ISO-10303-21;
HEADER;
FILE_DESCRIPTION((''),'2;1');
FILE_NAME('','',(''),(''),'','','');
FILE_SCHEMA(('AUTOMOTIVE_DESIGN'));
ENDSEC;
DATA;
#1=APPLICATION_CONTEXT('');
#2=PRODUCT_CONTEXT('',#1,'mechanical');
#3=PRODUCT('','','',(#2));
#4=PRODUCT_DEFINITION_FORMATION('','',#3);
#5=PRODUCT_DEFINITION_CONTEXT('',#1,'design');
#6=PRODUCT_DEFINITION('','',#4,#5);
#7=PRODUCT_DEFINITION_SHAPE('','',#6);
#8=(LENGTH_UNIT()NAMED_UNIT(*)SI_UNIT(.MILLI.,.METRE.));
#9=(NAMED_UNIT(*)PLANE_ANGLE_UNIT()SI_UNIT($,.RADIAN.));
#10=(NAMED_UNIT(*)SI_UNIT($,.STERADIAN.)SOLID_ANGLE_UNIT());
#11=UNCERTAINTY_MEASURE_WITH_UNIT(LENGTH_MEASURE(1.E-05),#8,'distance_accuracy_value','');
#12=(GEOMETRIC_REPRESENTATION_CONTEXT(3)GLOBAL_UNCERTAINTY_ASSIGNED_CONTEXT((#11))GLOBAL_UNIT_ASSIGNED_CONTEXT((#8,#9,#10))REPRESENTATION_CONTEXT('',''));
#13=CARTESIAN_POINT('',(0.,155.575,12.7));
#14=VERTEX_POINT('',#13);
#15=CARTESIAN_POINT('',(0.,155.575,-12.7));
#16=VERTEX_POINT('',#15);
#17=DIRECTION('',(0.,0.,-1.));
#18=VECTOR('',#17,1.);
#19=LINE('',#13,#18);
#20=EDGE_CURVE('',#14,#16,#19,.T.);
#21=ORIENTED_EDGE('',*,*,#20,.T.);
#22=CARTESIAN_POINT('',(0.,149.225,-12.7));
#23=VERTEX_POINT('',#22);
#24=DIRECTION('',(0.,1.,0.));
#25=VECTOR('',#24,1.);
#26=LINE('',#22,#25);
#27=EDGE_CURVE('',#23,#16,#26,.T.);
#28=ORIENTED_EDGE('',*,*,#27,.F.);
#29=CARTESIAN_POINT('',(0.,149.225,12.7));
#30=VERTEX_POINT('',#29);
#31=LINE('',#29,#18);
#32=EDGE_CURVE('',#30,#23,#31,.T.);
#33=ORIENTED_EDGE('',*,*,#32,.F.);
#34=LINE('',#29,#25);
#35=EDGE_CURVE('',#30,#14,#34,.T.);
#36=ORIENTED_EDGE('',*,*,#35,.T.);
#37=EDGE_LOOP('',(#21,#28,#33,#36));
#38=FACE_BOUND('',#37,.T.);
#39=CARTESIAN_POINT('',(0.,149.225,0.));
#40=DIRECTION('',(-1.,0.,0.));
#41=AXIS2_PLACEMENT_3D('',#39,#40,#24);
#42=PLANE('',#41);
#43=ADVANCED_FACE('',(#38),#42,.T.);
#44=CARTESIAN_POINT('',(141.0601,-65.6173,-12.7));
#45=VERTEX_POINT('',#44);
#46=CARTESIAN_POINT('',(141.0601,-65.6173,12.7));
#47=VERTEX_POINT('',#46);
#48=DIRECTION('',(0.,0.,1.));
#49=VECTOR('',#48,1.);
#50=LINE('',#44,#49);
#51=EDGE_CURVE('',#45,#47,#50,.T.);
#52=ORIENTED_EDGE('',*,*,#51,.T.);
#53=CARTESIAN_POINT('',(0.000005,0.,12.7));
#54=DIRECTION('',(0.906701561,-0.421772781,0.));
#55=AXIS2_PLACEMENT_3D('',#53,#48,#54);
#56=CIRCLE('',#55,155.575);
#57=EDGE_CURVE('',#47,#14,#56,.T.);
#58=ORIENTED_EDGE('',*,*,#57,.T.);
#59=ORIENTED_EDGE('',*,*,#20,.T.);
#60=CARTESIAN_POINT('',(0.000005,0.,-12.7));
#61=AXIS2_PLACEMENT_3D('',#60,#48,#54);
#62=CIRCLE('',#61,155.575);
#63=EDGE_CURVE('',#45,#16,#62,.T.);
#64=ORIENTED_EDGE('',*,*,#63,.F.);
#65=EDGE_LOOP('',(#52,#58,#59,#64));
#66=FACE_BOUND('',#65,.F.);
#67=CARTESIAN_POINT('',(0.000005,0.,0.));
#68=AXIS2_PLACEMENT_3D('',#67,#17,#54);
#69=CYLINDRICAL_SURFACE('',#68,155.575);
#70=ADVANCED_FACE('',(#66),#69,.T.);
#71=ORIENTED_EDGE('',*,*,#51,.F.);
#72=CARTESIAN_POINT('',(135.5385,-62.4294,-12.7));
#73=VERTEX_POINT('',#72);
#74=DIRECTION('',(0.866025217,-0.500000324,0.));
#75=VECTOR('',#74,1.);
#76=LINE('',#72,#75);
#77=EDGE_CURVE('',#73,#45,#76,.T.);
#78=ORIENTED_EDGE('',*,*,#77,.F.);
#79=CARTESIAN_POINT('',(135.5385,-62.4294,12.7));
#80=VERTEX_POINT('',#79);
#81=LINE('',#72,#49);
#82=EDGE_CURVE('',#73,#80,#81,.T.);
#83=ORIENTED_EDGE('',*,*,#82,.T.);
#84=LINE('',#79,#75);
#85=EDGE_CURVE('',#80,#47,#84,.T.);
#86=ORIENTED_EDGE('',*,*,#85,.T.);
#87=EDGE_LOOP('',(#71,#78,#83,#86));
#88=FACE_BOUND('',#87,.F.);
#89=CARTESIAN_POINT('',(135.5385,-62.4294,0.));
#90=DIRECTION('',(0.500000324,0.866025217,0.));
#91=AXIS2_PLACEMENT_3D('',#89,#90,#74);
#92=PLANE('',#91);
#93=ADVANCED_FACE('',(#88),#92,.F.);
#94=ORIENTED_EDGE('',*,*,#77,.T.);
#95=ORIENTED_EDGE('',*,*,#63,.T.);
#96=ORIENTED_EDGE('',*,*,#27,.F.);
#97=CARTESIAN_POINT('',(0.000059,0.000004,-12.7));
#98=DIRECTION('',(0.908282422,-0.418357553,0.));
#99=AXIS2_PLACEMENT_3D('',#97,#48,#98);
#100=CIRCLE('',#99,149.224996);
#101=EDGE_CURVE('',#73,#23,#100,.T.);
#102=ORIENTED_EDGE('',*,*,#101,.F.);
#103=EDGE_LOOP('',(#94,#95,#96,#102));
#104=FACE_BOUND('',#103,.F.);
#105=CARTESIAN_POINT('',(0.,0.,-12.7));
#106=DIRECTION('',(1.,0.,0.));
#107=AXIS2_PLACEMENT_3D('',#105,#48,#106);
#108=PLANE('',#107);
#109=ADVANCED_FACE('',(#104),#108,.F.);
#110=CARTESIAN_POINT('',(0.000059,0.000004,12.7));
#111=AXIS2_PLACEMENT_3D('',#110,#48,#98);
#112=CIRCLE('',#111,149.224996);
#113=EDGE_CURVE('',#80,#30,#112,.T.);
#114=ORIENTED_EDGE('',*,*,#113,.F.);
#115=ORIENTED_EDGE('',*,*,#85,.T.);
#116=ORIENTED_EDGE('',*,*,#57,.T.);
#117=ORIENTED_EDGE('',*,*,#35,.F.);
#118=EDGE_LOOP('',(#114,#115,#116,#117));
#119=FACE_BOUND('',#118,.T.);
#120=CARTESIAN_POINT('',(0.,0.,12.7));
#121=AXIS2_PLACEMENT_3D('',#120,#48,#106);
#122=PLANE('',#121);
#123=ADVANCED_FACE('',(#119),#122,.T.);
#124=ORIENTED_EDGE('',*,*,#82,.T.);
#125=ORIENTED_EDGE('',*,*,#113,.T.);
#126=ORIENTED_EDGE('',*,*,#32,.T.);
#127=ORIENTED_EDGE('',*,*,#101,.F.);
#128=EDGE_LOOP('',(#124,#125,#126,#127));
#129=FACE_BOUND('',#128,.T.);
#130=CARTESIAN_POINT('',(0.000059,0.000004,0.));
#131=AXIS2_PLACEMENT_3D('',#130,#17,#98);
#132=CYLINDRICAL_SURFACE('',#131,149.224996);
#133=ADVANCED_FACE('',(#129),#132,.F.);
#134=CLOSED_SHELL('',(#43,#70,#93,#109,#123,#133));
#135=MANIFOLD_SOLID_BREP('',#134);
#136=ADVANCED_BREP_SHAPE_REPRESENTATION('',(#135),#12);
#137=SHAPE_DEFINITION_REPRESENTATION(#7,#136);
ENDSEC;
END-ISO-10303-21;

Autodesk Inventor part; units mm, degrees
ref_plane "YZ Plane" through (0, 0, 0) normal (1, 0, 0) x (0, 1, 0)
ref_plane "XZ Plane" through (0, 0, 0) normal (0, 1, 0) x (-1, 0, 0)
ref_plane "XY Plane" through (0, 0, 0) normal (0, 0, 1) x (1, 0, 0)
sketch "Sketch1" plane through (0, 0, 0) normal (0, 0, 1) x (1, 0, 0)
  arc A0 (135.5385, -62.4294) -> (0, 149.225) centre (0, 0) ccw
  arc A1 (141.0601, -65.6173) -> (0, 155.575) centre (0, 0) ccw
  line L0 (0, 149.225) -> (0, 155.575)
  line L1 (135.5385, -62.4294) -> (141.0601, -65.6173)
  dimension "d0" = 298.45
  dimension "d1" = 311.15
  dimension "d2" = 120
extrude "Extrusion1" add sketch "Sketch1" along normal mid plane 25.4
properties part number "printTest120degeePortion"
